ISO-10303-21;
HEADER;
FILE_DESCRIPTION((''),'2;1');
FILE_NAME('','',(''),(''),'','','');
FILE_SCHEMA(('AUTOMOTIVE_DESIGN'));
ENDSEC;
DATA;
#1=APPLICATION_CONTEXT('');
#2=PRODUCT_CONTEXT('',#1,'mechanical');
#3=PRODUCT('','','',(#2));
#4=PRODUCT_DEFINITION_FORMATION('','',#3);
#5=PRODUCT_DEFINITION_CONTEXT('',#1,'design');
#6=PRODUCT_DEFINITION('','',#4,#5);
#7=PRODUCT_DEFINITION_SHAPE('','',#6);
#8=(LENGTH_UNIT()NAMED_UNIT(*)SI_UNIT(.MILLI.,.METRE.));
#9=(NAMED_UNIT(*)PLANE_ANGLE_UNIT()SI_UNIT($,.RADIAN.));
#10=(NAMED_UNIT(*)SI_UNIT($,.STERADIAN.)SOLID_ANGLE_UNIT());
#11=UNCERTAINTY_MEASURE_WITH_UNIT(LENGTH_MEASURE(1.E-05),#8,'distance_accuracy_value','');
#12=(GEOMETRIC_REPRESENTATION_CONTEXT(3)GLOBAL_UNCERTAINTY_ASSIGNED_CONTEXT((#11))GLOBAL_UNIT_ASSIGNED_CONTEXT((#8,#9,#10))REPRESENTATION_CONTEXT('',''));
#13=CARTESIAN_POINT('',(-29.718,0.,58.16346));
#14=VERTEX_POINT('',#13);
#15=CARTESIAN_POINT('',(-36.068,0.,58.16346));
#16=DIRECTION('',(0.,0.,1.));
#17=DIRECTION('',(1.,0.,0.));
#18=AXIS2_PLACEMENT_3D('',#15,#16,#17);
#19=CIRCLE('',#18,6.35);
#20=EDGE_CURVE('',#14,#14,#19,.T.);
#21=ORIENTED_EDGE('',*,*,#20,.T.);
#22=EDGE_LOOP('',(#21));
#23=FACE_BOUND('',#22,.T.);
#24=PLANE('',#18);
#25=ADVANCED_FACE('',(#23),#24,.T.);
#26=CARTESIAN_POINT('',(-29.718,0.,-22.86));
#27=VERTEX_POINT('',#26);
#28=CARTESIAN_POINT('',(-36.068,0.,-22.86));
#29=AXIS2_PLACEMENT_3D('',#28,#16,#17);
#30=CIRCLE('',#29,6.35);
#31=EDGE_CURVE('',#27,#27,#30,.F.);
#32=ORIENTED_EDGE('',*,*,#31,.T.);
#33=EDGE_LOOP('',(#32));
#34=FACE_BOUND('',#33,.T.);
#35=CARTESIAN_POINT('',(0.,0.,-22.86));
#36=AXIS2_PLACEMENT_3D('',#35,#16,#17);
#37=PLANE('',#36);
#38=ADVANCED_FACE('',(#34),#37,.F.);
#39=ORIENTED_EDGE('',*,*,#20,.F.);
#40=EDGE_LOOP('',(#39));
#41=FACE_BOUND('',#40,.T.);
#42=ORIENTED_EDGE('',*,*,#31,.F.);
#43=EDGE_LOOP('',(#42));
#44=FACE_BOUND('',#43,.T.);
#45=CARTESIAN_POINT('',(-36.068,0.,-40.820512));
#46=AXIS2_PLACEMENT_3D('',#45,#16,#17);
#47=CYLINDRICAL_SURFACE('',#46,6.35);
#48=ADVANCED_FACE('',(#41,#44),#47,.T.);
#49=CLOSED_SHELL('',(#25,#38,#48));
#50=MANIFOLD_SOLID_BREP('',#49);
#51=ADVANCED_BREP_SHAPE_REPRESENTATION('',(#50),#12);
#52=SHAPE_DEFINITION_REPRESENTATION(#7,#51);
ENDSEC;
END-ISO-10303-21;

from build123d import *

# Parameters (mm, degrees)
SKETCH3_R           = 6.35
BOSS_EXTRUDE1_DEPTH = 81.02346


with BuildPart() as part:
    # Sketch3 → Boss-Extrude1 (new body)
    with BuildSketch(Plane.XY.offset(58.16346)):
        with Locations((-36.068, 0)):
            Circle(SKETCH3_R)
    extrude(amount=-BOSS_EXTRUDE1_DEPTH)


solid = part.part
